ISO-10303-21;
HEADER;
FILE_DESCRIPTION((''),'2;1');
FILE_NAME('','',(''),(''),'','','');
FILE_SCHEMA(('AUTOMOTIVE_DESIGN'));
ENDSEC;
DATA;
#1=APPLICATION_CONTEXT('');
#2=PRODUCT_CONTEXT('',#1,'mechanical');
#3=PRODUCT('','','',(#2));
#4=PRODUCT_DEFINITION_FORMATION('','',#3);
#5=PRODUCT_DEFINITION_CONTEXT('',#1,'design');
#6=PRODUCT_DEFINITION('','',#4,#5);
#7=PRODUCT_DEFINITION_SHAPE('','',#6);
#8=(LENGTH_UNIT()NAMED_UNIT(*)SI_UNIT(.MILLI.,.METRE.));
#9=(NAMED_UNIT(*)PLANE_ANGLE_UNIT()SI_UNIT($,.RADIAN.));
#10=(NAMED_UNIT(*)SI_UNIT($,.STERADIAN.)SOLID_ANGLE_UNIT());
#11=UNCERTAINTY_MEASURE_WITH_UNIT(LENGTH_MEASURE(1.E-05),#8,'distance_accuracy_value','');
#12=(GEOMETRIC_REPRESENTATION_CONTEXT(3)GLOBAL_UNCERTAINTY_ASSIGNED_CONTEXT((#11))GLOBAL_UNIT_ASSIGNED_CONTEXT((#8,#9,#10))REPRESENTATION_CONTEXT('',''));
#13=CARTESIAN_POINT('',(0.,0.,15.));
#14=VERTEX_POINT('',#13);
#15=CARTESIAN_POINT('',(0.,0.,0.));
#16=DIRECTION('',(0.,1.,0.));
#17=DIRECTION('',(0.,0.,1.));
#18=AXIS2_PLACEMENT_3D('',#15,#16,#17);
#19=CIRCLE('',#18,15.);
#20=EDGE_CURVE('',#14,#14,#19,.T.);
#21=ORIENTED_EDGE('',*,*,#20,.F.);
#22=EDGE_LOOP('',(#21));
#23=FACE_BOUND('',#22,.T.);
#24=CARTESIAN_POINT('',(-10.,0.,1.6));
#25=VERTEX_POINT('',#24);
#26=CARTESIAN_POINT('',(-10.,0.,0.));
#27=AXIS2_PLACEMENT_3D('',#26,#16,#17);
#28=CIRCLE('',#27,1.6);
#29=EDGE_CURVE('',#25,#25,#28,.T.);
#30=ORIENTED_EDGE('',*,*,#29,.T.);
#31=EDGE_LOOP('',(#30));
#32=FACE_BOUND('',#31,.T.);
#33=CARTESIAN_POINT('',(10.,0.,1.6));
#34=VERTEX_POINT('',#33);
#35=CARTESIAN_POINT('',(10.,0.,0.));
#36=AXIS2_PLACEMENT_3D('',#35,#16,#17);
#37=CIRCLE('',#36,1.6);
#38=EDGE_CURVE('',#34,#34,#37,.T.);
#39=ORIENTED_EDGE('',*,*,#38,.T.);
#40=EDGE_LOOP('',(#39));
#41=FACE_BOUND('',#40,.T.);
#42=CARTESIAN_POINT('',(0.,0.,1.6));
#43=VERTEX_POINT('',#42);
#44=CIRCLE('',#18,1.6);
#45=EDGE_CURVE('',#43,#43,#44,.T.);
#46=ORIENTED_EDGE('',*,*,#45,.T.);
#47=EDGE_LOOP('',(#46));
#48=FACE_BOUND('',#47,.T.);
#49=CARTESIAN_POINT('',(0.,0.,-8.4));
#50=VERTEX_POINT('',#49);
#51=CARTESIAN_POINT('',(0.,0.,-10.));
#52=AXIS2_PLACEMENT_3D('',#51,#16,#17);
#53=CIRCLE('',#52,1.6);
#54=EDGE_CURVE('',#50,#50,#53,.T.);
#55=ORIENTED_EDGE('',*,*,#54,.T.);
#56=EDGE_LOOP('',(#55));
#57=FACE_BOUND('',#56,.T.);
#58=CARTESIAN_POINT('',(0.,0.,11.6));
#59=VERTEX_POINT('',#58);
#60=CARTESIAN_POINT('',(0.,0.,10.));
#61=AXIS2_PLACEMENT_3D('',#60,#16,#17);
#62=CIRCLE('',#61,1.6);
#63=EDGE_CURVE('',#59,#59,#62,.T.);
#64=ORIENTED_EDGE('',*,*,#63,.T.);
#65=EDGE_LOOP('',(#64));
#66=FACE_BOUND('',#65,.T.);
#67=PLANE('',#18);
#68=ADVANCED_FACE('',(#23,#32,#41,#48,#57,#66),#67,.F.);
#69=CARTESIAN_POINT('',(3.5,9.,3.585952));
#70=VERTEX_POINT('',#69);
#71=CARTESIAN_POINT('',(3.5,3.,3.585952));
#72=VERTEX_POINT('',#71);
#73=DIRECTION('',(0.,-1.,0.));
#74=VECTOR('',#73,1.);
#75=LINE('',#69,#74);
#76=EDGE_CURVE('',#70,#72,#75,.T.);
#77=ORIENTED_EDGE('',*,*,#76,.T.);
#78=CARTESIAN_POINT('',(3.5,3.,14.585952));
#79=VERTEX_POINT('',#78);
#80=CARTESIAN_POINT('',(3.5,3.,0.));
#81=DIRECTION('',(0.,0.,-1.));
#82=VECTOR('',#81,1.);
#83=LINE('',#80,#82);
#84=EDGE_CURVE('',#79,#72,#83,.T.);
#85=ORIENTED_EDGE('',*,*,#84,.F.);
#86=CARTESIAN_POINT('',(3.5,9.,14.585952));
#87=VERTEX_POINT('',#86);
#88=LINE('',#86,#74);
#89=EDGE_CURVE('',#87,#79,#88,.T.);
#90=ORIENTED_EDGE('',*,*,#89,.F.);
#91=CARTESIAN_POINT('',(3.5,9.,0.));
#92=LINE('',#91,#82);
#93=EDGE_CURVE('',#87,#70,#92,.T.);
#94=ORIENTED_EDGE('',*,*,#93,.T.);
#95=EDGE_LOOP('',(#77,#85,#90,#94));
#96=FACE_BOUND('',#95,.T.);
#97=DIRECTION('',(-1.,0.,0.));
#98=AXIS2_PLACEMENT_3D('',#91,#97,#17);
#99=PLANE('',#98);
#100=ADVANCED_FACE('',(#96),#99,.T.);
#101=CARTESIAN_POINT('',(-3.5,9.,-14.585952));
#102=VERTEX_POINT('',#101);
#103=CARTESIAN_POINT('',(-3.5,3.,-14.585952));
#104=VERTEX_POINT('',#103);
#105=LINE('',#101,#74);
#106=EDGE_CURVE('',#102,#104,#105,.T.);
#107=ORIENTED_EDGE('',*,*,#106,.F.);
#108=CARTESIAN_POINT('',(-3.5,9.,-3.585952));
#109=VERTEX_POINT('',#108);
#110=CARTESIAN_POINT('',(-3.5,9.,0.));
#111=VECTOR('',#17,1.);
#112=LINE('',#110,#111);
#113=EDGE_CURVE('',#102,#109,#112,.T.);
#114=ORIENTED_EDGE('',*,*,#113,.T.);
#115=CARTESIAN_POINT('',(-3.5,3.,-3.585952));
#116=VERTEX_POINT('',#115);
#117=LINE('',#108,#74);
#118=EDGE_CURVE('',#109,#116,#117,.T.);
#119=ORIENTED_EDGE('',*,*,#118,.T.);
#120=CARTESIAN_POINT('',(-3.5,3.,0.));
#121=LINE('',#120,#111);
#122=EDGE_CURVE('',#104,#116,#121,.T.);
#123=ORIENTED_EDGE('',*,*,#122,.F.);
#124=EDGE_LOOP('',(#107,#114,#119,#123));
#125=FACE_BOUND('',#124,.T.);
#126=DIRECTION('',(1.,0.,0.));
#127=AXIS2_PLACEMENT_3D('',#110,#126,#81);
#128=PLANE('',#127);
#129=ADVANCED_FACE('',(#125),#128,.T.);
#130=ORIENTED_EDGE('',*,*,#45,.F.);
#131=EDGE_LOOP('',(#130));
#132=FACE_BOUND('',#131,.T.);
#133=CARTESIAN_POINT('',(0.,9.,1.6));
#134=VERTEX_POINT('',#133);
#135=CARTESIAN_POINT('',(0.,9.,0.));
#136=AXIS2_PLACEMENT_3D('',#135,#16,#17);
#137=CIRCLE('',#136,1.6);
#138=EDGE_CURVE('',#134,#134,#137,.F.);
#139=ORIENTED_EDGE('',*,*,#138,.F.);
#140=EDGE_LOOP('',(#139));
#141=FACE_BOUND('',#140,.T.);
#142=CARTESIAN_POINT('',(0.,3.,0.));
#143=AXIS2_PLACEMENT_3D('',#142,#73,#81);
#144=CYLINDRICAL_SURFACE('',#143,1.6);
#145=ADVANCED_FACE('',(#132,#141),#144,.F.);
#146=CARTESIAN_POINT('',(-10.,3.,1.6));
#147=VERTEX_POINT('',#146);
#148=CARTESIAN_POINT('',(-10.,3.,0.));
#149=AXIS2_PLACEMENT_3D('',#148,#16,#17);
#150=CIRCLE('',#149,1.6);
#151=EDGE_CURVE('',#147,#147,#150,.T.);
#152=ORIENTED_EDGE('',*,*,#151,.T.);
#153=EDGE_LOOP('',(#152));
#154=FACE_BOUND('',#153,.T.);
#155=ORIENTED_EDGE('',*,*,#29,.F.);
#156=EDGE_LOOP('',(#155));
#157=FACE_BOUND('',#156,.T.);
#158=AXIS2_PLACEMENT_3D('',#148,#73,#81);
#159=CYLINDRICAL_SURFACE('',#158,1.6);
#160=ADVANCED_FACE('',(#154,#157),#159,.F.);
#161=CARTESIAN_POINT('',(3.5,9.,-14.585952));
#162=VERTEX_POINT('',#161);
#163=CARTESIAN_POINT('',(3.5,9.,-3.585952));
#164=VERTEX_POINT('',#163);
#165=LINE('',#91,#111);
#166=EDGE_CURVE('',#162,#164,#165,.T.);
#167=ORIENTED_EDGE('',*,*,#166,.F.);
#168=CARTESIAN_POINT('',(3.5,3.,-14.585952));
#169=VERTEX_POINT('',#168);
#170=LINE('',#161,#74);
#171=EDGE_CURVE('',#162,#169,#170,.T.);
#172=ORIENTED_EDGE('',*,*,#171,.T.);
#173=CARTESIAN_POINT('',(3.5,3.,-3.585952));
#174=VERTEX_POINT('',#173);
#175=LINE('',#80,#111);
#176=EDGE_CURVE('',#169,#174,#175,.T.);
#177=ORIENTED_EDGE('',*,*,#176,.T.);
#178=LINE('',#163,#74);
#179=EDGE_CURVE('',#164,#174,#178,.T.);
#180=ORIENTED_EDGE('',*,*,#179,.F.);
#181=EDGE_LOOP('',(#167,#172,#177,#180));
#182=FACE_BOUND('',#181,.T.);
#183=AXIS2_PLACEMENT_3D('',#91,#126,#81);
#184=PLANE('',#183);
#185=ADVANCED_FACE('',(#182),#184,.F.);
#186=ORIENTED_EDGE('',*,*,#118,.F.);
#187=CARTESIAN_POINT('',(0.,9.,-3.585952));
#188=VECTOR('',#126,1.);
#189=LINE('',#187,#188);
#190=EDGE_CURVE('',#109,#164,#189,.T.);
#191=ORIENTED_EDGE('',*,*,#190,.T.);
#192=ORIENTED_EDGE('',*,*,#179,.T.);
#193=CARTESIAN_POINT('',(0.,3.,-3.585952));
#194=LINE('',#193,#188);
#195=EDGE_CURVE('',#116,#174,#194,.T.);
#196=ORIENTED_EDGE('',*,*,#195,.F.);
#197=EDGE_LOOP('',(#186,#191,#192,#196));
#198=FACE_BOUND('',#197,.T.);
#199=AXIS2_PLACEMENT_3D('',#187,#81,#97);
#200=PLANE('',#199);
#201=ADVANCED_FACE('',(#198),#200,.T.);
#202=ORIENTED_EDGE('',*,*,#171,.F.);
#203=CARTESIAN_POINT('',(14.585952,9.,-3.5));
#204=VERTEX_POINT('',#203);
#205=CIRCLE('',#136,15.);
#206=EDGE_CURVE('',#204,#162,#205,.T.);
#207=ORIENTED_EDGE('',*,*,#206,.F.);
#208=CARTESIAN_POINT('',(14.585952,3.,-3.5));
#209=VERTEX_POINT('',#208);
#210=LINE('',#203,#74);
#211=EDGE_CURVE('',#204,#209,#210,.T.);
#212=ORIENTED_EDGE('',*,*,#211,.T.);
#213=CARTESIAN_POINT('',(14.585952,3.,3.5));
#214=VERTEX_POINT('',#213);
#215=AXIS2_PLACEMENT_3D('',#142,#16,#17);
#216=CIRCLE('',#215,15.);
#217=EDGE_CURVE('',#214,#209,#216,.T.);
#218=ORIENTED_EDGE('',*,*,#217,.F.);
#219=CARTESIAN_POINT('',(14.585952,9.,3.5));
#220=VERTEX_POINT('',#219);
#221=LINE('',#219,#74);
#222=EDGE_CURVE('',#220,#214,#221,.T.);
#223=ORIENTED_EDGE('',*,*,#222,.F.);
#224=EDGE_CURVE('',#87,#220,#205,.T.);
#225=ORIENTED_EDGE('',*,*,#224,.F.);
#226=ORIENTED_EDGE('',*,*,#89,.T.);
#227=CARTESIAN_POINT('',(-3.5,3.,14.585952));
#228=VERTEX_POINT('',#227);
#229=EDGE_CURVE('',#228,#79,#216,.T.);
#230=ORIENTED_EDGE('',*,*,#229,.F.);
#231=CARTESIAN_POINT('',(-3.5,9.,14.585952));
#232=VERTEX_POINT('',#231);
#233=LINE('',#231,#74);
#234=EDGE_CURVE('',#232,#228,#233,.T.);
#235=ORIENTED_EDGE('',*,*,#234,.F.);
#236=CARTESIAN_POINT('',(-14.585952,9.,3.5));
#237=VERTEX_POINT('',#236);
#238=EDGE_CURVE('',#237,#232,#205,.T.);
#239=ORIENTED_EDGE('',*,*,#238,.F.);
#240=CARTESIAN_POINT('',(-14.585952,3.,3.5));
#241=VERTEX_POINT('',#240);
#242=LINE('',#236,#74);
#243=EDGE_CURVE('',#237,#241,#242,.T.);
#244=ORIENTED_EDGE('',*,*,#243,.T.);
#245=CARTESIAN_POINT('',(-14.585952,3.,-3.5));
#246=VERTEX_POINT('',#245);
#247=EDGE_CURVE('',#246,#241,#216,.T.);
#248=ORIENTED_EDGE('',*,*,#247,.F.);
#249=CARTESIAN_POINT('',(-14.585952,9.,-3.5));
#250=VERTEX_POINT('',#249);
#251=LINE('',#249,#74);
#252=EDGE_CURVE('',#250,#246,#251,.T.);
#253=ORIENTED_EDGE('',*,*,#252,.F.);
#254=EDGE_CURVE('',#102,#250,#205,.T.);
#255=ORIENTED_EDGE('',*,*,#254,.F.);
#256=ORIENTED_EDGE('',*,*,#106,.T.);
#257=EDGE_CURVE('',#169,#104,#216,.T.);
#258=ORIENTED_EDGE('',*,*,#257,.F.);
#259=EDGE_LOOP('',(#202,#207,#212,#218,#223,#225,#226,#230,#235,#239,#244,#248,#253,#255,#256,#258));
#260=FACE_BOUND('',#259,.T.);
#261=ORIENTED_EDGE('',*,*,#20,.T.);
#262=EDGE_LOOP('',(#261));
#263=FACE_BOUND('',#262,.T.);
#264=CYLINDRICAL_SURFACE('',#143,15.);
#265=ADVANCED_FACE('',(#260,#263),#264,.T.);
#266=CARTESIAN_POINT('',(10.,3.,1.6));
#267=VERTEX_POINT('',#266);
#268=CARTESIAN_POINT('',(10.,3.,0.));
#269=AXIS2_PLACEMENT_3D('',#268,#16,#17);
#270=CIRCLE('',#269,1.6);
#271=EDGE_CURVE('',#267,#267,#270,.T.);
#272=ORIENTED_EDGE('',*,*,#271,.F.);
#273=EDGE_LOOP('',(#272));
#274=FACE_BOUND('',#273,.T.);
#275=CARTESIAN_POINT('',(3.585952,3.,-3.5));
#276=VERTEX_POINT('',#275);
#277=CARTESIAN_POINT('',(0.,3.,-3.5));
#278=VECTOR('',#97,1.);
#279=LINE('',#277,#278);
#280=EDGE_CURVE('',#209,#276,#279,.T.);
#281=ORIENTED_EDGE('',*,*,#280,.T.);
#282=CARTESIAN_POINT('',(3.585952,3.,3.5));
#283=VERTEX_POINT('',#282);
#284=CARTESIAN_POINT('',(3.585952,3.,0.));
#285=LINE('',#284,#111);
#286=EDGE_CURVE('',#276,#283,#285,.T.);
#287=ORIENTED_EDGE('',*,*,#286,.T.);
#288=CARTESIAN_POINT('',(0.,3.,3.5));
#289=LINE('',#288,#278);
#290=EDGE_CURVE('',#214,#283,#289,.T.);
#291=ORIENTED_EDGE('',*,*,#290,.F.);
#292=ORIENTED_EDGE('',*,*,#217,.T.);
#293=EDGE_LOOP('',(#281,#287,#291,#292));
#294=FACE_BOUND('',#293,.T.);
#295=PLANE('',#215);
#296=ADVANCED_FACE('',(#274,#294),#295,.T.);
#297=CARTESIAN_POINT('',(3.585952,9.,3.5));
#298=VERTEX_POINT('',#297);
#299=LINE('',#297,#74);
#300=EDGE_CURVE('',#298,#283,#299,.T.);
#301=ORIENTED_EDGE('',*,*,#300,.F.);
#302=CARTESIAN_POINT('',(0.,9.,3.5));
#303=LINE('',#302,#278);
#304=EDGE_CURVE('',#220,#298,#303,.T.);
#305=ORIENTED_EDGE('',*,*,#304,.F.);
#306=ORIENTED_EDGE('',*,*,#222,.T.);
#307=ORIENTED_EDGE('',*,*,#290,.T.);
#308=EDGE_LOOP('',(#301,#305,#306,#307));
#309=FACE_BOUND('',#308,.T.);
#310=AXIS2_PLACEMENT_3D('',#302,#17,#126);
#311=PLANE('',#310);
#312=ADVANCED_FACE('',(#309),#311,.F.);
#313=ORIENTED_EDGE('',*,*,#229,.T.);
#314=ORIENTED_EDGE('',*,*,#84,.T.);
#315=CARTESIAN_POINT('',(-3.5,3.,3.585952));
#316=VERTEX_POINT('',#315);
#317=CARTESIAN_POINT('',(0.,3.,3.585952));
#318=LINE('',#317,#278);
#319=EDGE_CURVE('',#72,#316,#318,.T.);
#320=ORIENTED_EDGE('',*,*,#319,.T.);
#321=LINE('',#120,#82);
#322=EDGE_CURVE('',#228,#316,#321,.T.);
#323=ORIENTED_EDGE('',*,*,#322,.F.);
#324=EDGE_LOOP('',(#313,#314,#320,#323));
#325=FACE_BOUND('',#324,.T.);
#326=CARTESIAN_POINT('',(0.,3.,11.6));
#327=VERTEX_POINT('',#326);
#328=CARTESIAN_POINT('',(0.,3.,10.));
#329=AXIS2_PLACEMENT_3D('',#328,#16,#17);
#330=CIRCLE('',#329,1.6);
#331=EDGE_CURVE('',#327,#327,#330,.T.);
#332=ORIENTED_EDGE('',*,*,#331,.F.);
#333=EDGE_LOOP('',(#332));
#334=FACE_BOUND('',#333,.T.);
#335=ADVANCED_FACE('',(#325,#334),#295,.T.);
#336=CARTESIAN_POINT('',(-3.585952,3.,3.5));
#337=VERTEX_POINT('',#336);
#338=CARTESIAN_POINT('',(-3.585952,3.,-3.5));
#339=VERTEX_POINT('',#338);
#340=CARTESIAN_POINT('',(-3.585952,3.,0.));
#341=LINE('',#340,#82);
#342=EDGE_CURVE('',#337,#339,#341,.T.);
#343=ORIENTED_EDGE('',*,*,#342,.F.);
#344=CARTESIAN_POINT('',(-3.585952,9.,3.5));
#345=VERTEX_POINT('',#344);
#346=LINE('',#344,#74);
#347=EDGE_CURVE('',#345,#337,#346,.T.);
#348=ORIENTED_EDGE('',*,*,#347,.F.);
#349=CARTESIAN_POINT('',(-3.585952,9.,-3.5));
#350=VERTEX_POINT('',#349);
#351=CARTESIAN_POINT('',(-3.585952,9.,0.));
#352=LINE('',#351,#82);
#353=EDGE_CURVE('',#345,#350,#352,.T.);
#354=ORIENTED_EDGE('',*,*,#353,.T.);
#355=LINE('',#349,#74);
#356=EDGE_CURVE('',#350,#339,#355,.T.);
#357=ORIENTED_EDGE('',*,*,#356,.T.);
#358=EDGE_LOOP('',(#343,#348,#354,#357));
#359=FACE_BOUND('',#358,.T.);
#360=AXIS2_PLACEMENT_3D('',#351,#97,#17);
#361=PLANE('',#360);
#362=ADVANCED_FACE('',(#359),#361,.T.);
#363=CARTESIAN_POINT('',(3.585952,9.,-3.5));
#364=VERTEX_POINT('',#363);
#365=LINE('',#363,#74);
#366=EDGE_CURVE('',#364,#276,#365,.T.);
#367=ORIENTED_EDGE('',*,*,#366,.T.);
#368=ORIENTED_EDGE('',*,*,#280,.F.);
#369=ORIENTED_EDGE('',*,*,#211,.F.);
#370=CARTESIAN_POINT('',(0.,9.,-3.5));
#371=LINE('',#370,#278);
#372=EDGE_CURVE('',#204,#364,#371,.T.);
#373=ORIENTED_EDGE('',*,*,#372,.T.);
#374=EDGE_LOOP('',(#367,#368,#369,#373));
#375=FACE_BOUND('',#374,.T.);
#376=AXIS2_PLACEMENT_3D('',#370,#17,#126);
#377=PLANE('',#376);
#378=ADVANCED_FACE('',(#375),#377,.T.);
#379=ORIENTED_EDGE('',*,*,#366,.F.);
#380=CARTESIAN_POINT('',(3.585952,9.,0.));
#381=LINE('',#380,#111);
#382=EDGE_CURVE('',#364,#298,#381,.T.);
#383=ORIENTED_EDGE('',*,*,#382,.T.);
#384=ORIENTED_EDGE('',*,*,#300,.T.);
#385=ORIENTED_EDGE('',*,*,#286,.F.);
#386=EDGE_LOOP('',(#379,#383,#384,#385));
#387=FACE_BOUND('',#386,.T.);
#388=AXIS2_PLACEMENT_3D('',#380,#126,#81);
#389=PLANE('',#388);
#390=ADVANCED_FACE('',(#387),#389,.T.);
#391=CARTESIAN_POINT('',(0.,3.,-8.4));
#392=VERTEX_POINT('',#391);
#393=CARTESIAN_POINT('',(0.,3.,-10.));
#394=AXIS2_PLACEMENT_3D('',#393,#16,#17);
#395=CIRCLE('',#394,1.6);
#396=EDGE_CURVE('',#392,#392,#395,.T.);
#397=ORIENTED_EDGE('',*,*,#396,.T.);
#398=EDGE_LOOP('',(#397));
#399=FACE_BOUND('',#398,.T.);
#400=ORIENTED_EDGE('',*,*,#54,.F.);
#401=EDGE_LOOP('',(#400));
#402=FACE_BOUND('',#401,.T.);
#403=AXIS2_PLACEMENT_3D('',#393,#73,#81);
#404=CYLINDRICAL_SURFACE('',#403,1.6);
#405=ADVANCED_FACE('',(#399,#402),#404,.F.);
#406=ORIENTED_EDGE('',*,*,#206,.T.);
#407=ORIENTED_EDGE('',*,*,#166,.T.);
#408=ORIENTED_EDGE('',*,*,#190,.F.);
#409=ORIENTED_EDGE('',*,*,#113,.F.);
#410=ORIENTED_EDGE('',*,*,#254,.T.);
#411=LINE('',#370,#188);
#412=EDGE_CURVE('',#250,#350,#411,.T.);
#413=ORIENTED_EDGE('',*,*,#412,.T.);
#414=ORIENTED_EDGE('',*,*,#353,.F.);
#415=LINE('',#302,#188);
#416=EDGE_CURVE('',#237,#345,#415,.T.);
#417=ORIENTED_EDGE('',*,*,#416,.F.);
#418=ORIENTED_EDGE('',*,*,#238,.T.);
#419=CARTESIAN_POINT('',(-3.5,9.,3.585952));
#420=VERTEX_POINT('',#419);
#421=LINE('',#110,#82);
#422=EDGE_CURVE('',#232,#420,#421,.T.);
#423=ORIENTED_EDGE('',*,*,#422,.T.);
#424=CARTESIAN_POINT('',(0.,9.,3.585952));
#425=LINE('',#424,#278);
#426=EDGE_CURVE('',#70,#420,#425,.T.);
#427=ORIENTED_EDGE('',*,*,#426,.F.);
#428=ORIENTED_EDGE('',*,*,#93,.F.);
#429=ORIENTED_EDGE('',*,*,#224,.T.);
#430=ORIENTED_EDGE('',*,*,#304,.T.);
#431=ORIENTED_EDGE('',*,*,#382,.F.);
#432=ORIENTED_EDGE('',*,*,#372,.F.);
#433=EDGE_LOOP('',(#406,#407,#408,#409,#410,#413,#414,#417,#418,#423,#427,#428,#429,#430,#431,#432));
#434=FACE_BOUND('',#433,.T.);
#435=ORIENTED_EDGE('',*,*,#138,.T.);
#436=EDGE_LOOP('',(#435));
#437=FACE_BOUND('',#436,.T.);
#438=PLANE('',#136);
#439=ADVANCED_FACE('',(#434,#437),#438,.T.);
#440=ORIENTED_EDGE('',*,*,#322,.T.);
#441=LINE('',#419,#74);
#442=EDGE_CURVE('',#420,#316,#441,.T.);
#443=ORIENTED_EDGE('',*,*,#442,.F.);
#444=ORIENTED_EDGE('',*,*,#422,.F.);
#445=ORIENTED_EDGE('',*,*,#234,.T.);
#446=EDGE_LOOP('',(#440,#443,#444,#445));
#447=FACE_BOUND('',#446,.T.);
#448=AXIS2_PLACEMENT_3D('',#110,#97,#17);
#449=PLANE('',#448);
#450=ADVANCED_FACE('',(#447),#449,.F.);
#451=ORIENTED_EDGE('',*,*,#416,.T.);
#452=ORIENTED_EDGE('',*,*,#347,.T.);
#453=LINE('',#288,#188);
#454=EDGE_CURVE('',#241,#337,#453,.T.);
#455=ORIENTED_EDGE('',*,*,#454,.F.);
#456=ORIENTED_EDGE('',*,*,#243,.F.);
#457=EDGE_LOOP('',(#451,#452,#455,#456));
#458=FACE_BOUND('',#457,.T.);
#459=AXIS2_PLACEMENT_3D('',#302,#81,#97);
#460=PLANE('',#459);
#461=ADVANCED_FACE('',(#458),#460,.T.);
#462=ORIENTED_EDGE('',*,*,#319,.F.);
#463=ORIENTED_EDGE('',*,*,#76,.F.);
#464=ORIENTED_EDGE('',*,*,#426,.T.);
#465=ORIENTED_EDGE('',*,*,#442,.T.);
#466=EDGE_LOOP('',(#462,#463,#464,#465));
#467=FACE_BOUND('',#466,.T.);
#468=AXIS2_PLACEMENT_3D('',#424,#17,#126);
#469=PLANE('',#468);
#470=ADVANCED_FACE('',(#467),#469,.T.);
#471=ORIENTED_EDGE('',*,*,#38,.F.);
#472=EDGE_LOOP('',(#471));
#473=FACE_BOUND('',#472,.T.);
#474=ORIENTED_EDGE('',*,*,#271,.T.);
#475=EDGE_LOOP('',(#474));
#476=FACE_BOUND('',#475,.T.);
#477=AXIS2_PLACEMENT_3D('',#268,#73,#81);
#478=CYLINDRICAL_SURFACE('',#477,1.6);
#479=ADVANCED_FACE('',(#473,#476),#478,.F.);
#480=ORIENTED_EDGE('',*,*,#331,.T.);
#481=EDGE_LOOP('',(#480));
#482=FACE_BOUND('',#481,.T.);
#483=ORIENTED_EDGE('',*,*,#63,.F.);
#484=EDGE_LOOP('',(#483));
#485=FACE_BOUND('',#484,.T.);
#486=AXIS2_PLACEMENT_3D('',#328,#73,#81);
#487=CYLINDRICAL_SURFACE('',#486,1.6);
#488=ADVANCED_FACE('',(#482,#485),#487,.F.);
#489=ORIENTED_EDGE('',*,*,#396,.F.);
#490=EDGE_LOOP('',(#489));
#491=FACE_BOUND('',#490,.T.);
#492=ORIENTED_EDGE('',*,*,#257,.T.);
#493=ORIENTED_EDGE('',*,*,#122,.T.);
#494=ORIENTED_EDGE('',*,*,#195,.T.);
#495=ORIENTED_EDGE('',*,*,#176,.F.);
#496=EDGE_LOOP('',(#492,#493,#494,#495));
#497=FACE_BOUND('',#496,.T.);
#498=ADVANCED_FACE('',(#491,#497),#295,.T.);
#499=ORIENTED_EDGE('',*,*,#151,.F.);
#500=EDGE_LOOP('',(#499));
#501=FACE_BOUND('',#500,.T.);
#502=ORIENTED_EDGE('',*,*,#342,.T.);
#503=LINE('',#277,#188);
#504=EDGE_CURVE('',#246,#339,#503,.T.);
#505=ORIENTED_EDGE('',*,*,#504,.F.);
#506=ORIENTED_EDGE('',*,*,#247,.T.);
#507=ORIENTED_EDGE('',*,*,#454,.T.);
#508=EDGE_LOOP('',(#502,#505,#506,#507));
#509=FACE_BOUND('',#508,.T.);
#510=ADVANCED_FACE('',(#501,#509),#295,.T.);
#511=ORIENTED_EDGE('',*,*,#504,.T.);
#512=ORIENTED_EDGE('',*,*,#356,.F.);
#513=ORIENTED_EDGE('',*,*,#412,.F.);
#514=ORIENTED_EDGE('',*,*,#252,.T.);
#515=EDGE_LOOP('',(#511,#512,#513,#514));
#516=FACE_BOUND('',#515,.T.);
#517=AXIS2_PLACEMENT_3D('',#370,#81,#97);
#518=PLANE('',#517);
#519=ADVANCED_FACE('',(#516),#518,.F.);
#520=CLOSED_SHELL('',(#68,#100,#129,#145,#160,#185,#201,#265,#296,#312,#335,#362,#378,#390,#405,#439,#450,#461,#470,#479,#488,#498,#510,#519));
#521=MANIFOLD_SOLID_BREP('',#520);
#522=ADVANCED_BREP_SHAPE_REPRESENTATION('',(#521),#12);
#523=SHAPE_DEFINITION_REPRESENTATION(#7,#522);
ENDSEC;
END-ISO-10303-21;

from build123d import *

# Parameters (mm, degrees)
SKETCH1_R           = 15
SKETCH1_R_2         = 1.6
BOSS_EXTRUDE1_DEPTH = 3
SKETCH2_R           = 1.6
BOSS_EXTRUDE2_DEPTH = 6


with BuildPart() as part:
    # Sketch1 → Boss-Extrude1 (new body)
    with BuildSketch(Plane(origin=(0, 0, 0), x_dir=(1, 0, 0), z_dir=(0, 1, 0))):
        Circle(SKETCH1_R)
        Circle(SKETCH1_R_2, mode=Mode.SUBTRACT)
        with Locations((0, 10)):
            Circle(SKETCH1_R_2, mode=Mode.SUBTRACT)
        with Locations((10, 0)):
            Circle(SKETCH1_R_2, mode=Mode.SUBTRACT)
        with Locations((0, -10)):
            Circle(SKETCH1_R_2, mode=Mode.SUBTRACT)
        with Locations((-10, 0)):
            Circle(SKETCH1_R_2, mode=Mode.SUBTRACT)
    extrude(amount=BOSS_EXTRUDE1_DEPTH)

    # Sketch2 → Boss-Extrude2 (add)
    with BuildSketch(Plane(origin=(0, 3, 0), x_dir=(1, 0, 0), z_dir=(0, 1, 0))):
        with BuildLine():
            Line((-3.585952146, -3.5), (-14.585952146, -3.5))
            ThreePointArc((-14.585952146, -3.5), (-10.606601718, -10.606601718), (-3.5, -14.585952146))
            Line((-3.5, -14.585952146), (-3.5, -3.585952146))
            Line((-3.5, -3.585952146), (3.5, -3.585952146))
            Line((3.5, -3.585952146), (3.5, -14.585952146))
            ThreePointArc((3.5, -14.585952146), (10.606601718, -10.606601718), (14.585952146, -3.5))
            Line((14.585952146, -3.5), (3.585952146, -3.5))
            Line((3.585952146, -3.5), (3.585952146, 3.5))
            Line((3.585952146, 3.5), (14.585952146, 3.5))
            ThreePointArc((14.585952146, 3.5), (10.606601718, 10.606601718), (3.5, 14.585952146))
            Line((3.5, 14.585952146), (3.5, 3.585952146))
            Line((3.5, 3.585952146), (-3.5, 3.585952146))
            Line((-3.5, 3.585952146), (-3.5, 14.585952146))
            ThreePointArc((-3.5, 14.585952146), (-10.606601718, 10.606601718), (-14.585952146, 3.5))
            Line((-14.585952146, 3.5), (-3.585952146, 3.5))
            Line((-3.585952146, 3.5), (-3.585952146, -3.5))
        make_face()
        Circle(SKETCH2_R, mode=Mode.SUBTRACT)
    extrude(amount=BOSS_EXTRUDE2_DEPTH)


solid = part.part
